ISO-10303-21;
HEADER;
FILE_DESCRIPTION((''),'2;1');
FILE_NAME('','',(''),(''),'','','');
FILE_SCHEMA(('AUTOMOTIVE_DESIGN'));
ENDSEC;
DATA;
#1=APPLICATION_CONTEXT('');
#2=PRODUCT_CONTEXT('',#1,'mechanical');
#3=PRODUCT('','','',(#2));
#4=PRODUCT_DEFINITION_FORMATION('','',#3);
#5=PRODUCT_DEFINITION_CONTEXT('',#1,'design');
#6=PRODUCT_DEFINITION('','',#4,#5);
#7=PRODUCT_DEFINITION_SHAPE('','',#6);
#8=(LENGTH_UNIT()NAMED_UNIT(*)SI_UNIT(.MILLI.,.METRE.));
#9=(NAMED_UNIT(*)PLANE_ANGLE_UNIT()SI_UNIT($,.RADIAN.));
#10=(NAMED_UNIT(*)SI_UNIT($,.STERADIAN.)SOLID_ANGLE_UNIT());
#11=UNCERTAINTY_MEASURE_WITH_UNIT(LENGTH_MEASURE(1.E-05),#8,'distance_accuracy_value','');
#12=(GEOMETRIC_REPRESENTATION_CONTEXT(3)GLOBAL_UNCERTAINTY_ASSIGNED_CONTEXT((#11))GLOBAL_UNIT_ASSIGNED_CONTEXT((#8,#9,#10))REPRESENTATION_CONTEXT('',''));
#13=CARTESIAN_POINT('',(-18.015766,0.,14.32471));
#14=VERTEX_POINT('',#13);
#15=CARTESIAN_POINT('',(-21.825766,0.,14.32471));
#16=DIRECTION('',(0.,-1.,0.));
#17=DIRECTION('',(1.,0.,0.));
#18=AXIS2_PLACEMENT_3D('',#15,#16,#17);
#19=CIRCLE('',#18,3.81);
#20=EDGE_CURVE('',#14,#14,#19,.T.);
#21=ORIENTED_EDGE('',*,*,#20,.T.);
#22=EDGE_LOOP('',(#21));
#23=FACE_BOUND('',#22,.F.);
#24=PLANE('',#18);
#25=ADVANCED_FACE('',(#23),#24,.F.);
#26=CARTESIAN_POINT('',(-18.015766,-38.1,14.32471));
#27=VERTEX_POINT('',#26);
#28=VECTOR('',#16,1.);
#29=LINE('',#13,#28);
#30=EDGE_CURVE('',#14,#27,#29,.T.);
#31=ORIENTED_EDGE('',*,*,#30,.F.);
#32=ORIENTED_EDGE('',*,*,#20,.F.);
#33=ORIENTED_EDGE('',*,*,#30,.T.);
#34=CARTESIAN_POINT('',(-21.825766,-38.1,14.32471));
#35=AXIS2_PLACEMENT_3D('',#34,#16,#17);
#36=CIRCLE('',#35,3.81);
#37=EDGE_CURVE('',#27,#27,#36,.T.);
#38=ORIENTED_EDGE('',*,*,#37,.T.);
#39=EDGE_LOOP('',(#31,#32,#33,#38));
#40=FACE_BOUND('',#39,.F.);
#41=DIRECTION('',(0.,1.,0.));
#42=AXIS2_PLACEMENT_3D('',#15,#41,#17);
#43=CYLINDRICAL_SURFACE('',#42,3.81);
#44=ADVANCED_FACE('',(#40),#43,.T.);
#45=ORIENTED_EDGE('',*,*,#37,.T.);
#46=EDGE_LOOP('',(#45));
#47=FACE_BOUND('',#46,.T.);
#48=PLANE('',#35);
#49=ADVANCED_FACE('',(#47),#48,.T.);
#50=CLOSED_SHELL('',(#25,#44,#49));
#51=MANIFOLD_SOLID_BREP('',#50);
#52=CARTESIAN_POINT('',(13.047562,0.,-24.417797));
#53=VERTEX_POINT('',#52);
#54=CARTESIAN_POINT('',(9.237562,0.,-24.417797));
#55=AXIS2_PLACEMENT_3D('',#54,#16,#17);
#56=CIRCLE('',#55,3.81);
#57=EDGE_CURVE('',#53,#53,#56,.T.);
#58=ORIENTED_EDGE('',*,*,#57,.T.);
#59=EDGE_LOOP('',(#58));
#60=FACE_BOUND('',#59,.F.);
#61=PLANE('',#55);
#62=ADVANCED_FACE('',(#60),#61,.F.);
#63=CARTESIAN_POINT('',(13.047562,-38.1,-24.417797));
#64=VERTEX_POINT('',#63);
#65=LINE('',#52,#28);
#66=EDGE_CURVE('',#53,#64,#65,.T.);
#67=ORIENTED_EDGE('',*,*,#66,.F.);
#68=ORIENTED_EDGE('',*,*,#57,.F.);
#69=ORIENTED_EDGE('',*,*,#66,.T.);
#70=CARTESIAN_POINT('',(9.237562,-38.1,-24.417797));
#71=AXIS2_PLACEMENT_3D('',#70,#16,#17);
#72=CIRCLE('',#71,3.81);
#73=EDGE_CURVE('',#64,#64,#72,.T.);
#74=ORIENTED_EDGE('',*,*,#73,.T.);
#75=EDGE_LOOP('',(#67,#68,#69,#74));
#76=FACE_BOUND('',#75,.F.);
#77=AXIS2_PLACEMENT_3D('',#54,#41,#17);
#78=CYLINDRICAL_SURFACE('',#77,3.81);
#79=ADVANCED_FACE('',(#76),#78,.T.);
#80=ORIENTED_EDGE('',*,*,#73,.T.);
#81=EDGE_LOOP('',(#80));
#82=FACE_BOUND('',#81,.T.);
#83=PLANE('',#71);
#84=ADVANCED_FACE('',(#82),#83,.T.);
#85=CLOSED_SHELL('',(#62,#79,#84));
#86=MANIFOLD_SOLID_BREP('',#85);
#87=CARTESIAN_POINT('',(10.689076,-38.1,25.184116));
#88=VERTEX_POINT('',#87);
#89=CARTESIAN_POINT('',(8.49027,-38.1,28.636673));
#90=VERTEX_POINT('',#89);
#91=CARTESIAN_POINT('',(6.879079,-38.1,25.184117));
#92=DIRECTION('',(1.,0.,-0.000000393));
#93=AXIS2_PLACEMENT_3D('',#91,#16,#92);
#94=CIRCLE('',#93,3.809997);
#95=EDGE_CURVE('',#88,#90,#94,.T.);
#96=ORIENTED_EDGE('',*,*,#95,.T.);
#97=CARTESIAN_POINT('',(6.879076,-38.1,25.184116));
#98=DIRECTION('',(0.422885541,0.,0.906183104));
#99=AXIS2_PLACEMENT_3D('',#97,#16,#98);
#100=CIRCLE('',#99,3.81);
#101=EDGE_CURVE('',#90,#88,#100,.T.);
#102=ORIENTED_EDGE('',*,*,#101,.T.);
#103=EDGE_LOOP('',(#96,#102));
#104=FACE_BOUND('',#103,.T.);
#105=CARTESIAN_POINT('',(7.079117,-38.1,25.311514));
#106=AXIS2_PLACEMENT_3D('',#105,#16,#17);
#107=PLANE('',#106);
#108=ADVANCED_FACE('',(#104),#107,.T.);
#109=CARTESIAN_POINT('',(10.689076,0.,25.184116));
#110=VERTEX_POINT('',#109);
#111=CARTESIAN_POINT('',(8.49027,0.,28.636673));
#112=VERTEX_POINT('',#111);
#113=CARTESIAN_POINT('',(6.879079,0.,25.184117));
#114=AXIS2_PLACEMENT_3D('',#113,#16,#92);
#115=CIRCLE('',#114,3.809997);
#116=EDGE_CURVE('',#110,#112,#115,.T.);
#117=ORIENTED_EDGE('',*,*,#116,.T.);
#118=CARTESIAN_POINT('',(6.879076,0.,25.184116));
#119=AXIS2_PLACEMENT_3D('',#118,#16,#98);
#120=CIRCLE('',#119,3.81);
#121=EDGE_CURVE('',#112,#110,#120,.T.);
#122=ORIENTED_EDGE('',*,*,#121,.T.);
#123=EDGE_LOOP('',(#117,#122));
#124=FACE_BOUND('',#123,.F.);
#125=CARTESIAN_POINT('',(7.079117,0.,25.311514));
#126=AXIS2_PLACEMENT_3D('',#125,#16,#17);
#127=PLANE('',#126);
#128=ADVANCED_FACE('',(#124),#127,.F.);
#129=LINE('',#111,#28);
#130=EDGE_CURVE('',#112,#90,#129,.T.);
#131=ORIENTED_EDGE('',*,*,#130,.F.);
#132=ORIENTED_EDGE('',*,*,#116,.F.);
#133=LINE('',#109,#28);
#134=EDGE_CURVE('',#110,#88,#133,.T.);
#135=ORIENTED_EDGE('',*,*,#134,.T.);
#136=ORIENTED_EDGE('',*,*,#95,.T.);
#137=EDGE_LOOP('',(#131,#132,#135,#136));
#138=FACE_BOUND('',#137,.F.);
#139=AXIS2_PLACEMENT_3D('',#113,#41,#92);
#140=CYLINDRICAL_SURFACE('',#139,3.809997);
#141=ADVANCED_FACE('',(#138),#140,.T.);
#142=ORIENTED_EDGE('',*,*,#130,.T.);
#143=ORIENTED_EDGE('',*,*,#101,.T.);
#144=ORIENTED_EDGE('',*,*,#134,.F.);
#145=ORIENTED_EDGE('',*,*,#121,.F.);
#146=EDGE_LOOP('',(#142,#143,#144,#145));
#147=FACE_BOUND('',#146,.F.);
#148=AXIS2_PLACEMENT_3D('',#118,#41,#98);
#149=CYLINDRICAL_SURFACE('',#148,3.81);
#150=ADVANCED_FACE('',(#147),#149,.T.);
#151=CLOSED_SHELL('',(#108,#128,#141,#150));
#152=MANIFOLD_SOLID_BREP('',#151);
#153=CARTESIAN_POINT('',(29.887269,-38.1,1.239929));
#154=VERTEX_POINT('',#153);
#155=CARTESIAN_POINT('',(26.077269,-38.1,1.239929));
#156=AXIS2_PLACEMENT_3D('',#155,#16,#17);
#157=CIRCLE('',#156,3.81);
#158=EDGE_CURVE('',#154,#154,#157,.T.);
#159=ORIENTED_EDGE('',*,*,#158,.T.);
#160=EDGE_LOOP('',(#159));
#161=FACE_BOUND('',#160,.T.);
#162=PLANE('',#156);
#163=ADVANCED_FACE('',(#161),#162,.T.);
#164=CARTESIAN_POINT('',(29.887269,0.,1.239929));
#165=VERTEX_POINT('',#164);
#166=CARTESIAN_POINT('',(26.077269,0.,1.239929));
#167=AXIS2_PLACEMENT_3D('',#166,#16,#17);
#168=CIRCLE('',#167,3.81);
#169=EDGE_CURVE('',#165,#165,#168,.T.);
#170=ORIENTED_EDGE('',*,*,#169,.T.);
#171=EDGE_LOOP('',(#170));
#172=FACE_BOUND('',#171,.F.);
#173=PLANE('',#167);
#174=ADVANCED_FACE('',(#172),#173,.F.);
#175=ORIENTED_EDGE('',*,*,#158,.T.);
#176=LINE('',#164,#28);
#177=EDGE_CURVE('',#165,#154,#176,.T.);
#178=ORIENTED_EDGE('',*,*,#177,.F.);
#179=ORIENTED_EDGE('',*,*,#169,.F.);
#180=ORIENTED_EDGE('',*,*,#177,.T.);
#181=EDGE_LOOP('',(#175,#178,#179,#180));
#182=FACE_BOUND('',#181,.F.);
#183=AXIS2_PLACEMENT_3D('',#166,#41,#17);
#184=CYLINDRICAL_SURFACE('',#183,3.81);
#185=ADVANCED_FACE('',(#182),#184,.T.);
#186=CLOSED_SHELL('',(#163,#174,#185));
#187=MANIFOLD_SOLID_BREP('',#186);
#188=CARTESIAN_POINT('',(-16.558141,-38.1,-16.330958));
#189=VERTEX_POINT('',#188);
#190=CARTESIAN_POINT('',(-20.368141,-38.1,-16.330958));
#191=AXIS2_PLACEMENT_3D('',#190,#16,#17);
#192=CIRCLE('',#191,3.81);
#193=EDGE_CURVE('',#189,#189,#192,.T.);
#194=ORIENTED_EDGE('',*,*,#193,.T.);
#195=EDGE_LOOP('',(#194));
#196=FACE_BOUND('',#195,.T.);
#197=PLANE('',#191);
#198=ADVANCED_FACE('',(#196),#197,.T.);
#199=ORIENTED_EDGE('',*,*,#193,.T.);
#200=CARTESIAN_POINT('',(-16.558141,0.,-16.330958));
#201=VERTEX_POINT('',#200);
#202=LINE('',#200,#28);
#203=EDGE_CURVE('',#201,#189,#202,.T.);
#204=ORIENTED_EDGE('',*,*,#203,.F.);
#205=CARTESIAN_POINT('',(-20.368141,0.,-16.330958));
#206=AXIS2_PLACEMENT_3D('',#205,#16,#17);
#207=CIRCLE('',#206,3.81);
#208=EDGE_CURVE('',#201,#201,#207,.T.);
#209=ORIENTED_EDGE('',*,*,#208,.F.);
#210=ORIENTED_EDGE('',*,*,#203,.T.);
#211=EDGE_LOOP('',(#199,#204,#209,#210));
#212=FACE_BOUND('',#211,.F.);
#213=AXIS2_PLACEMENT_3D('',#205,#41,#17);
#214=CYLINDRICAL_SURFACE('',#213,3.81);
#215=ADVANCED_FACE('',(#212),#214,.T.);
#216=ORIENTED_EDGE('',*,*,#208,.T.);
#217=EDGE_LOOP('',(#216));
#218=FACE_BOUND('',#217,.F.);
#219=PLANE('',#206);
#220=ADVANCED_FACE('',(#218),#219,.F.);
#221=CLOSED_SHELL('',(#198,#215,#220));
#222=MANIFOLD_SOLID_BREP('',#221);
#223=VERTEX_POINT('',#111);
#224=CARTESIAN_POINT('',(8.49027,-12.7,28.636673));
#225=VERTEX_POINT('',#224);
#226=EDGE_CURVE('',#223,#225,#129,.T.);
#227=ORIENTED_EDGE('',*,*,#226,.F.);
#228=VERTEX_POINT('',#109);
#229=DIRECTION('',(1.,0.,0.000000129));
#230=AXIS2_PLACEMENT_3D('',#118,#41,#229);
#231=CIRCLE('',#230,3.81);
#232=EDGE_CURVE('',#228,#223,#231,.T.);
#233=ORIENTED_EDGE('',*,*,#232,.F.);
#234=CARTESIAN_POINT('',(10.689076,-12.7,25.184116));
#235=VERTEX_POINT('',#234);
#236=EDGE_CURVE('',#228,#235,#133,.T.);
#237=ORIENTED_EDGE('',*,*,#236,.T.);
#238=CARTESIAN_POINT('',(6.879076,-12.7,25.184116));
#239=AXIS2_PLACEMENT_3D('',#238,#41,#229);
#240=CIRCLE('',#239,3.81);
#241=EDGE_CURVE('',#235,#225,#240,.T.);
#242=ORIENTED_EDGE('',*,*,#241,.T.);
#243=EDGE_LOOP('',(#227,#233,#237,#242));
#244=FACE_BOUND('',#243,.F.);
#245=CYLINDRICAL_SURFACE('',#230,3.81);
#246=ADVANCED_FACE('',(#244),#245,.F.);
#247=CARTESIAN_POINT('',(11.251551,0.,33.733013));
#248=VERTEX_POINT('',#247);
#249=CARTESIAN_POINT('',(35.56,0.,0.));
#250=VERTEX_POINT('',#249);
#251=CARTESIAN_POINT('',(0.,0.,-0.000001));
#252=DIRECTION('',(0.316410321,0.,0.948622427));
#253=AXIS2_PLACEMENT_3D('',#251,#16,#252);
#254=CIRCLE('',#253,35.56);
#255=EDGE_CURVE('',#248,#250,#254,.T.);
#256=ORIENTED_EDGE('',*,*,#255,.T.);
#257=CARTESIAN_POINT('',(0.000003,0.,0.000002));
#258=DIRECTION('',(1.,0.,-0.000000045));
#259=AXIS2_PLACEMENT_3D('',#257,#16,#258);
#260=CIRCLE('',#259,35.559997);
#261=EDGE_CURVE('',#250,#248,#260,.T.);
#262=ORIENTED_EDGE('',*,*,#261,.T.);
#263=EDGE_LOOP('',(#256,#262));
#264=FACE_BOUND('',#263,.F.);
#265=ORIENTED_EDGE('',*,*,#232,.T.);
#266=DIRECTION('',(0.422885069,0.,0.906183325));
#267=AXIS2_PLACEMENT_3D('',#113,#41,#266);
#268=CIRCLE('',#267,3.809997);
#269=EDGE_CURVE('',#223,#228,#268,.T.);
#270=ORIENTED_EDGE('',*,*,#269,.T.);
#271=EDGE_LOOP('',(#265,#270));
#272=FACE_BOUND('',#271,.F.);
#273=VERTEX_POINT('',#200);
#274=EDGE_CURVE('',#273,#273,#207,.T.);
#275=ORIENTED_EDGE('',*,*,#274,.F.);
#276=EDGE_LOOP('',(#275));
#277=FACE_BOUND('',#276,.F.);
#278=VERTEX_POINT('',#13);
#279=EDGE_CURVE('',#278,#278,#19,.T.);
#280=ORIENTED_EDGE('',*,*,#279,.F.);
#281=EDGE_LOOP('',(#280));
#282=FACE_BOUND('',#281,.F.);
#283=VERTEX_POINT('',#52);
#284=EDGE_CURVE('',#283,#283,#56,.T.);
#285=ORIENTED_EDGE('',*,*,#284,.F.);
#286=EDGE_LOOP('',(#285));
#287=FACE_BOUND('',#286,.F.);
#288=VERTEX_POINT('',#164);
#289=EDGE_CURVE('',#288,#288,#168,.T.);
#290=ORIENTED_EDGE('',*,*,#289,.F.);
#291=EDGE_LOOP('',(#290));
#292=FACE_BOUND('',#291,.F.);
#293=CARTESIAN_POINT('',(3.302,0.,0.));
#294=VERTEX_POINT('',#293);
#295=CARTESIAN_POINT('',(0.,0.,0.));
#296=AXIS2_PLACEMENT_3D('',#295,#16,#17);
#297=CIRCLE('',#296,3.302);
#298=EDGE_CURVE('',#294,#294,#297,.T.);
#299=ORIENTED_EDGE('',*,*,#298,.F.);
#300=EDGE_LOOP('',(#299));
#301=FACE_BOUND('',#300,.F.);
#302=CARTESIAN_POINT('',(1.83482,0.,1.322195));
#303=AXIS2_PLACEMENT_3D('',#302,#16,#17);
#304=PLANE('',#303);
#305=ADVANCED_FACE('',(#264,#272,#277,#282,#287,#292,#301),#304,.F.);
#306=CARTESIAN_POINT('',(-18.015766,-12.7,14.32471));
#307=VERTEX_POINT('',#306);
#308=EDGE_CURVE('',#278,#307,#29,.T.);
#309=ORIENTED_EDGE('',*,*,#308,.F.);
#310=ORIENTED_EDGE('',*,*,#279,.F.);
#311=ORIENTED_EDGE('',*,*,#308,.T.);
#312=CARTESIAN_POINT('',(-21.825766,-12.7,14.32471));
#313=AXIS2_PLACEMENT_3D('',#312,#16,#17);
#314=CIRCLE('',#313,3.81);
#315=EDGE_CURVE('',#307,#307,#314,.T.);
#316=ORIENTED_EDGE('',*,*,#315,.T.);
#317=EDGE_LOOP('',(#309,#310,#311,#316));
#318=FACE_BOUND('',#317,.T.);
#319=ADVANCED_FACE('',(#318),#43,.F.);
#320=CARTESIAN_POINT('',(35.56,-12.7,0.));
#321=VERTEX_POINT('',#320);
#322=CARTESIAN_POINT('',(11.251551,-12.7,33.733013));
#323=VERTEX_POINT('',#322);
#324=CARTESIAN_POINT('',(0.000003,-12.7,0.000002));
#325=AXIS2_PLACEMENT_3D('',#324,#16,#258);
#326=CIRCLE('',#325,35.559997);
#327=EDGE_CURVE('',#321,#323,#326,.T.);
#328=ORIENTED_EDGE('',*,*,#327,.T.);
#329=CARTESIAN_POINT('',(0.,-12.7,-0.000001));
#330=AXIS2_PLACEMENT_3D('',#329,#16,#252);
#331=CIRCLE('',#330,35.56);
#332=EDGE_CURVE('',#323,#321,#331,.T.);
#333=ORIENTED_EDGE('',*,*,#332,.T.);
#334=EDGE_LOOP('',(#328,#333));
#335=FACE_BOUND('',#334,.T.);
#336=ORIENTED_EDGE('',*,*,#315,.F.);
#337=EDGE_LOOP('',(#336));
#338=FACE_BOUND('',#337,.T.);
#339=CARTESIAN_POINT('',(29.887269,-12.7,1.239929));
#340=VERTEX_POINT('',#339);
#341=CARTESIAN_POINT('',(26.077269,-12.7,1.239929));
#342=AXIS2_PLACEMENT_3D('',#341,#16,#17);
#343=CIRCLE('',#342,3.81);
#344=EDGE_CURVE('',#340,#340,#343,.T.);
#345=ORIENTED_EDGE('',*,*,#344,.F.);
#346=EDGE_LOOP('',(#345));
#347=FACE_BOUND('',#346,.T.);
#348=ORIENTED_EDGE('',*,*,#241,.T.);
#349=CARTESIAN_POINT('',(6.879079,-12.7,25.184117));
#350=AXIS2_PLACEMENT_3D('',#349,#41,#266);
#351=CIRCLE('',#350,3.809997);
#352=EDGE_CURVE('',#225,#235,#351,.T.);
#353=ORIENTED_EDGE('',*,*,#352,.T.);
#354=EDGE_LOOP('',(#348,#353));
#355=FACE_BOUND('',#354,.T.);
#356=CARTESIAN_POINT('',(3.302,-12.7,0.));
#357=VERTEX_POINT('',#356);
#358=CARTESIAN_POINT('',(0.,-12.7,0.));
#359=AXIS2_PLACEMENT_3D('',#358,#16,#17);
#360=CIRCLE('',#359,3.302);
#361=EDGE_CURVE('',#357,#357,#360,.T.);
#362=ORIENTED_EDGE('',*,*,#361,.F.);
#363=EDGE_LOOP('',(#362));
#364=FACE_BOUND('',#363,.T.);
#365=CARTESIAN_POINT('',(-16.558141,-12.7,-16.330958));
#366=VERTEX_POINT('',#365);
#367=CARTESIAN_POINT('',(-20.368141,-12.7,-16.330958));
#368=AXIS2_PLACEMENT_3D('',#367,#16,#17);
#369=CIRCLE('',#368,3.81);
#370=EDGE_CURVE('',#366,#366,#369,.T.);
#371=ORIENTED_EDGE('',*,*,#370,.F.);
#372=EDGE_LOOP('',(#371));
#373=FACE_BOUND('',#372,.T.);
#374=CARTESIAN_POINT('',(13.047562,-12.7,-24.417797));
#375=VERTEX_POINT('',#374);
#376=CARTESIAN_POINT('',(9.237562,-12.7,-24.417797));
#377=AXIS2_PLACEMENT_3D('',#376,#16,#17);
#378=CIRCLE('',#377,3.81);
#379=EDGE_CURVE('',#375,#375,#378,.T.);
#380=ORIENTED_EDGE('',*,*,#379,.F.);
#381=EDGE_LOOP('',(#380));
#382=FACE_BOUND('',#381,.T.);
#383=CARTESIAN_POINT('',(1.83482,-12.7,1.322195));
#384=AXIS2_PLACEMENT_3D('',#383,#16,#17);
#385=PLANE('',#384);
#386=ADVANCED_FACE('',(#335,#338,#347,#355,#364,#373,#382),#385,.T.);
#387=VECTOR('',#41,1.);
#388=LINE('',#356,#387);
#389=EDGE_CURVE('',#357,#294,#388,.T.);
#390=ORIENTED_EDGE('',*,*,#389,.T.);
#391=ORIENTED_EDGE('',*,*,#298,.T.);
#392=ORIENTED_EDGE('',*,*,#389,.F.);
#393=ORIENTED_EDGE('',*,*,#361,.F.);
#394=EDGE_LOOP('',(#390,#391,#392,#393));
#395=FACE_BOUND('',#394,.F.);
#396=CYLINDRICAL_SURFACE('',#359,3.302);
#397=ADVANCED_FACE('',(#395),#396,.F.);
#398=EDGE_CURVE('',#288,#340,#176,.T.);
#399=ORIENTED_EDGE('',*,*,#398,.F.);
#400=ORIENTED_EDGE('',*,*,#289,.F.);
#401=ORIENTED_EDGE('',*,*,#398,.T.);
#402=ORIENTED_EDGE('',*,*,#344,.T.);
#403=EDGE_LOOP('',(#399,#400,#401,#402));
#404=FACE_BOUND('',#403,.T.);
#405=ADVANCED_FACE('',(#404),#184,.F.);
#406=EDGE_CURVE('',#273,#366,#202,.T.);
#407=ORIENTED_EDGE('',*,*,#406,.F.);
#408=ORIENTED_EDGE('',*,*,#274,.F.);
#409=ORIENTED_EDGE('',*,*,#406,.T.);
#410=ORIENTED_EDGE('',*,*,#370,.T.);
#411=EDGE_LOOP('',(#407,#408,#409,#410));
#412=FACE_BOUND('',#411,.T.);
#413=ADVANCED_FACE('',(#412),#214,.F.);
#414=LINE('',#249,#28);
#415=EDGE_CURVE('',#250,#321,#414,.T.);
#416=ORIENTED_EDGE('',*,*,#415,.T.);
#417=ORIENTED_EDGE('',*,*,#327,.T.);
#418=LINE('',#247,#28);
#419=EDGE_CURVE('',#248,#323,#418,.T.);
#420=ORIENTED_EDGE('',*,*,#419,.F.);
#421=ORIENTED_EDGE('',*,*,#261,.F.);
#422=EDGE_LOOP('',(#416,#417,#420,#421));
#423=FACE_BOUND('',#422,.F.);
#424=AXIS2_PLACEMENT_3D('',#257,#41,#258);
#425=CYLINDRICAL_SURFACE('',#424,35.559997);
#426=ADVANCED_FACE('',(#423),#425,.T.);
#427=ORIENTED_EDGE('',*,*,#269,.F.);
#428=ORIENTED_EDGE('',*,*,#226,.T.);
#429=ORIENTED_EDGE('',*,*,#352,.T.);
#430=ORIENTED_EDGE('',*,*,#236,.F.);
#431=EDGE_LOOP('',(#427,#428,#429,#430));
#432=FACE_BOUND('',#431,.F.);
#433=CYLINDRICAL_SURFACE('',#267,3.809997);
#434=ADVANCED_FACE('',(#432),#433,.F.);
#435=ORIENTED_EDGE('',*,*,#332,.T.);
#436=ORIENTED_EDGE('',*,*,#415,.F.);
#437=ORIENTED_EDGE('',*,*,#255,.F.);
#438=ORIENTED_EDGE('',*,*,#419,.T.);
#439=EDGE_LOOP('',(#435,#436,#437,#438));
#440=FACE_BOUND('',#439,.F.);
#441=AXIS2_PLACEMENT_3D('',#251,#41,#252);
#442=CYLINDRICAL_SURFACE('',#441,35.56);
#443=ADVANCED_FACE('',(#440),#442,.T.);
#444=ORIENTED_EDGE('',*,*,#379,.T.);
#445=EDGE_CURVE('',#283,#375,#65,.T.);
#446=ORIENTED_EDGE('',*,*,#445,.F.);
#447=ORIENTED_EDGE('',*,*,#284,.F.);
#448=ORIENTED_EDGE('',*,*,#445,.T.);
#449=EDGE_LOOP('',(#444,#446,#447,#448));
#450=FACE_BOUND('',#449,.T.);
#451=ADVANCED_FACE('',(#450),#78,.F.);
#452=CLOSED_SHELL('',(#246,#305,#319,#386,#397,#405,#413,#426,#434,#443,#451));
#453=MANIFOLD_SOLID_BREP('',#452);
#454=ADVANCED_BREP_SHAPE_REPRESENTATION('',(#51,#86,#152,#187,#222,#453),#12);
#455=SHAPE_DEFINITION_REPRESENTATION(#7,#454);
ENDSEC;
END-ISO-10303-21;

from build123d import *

# Parameters (mm, degrees)
F0_R     = 3.81
F1_DEPTH = 38.1
F2_DEPTH = 12.7
F3_R     = 3.302
F4_DEPTH = 25.4


with BuildPart() as f1:
    # F0 (on Front) → F1 (new body)
    with BuildSketch(Plane.XZ):
        with Locations((-21.825766, 14.32471)):
            Circle(F0_R)
        with BuildLine():
            ThreePointArc((10.689076, 25.184116), (10.0927, 27.230753), (8.49027, 28.636673))
            ThreePointArc((8.49027, 28.636673), (3.665453, 23.137478), (10.689076, 25.184116))
        make_face()
        with Locations((26.077269, 1.239929)):
            Circle(F0_R)
        with Locations((9.237562, -24.417797)):
            Circle(F0_R)
        with Locations((-20.368141, -16.330958)):
            Circle(F0_R)
    extrude(amount=F1_DEPTH)


with BuildPart() as f2:
    # F0 (on Front) → F2 (new body)
    with BuildSketch(Plane.XZ):
        with BuildLine():
            ThreePointArc((11.251551, 33.733013), (-28.849773, -20.789522), (35.56, 0))
            ThreePointArc((35.56, 0), (28.849773, 20.789522), (11.251551, 33.733013))
        make_face()
        with Locations((-20.368141, -16.330958)):
            Circle(F0_R, mode=Mode.SUBTRACT)
        with Locations((9.237562, -24.417797)):
            Circle(F0_R, mode=Mode.SUBTRACT)
        with Locations((-21.825766, 14.32471)):
            Circle(F0_R, mode=Mode.SUBTRACT)
        with Locations((26.077269, 1.239929)):
            Circle(F0_R, mode=Mode.SUBTRACT)
        with BuildLine():
            ThreePointArc((10.689076, 25.184116), (3.665453, 23.137478), (8.49027, 28.636673))
            ThreePointArc((8.49027, 28.636673), (10.0927, 27.230753), (10.689076, 25.184116))
        make_face(mode=Mode.SUBTRACT)
    extrude(amount=F2_DEPTH)

    # F3 (on face) → F4 (cut)
    with BuildSketch(Plane.XZ.offset(12.7)):
        Circle(F3_R)
    extrude(amount=-F4_DEPTH, mode=Mode.SUBTRACT)


solid = Compound([f1.part, f2.part])
